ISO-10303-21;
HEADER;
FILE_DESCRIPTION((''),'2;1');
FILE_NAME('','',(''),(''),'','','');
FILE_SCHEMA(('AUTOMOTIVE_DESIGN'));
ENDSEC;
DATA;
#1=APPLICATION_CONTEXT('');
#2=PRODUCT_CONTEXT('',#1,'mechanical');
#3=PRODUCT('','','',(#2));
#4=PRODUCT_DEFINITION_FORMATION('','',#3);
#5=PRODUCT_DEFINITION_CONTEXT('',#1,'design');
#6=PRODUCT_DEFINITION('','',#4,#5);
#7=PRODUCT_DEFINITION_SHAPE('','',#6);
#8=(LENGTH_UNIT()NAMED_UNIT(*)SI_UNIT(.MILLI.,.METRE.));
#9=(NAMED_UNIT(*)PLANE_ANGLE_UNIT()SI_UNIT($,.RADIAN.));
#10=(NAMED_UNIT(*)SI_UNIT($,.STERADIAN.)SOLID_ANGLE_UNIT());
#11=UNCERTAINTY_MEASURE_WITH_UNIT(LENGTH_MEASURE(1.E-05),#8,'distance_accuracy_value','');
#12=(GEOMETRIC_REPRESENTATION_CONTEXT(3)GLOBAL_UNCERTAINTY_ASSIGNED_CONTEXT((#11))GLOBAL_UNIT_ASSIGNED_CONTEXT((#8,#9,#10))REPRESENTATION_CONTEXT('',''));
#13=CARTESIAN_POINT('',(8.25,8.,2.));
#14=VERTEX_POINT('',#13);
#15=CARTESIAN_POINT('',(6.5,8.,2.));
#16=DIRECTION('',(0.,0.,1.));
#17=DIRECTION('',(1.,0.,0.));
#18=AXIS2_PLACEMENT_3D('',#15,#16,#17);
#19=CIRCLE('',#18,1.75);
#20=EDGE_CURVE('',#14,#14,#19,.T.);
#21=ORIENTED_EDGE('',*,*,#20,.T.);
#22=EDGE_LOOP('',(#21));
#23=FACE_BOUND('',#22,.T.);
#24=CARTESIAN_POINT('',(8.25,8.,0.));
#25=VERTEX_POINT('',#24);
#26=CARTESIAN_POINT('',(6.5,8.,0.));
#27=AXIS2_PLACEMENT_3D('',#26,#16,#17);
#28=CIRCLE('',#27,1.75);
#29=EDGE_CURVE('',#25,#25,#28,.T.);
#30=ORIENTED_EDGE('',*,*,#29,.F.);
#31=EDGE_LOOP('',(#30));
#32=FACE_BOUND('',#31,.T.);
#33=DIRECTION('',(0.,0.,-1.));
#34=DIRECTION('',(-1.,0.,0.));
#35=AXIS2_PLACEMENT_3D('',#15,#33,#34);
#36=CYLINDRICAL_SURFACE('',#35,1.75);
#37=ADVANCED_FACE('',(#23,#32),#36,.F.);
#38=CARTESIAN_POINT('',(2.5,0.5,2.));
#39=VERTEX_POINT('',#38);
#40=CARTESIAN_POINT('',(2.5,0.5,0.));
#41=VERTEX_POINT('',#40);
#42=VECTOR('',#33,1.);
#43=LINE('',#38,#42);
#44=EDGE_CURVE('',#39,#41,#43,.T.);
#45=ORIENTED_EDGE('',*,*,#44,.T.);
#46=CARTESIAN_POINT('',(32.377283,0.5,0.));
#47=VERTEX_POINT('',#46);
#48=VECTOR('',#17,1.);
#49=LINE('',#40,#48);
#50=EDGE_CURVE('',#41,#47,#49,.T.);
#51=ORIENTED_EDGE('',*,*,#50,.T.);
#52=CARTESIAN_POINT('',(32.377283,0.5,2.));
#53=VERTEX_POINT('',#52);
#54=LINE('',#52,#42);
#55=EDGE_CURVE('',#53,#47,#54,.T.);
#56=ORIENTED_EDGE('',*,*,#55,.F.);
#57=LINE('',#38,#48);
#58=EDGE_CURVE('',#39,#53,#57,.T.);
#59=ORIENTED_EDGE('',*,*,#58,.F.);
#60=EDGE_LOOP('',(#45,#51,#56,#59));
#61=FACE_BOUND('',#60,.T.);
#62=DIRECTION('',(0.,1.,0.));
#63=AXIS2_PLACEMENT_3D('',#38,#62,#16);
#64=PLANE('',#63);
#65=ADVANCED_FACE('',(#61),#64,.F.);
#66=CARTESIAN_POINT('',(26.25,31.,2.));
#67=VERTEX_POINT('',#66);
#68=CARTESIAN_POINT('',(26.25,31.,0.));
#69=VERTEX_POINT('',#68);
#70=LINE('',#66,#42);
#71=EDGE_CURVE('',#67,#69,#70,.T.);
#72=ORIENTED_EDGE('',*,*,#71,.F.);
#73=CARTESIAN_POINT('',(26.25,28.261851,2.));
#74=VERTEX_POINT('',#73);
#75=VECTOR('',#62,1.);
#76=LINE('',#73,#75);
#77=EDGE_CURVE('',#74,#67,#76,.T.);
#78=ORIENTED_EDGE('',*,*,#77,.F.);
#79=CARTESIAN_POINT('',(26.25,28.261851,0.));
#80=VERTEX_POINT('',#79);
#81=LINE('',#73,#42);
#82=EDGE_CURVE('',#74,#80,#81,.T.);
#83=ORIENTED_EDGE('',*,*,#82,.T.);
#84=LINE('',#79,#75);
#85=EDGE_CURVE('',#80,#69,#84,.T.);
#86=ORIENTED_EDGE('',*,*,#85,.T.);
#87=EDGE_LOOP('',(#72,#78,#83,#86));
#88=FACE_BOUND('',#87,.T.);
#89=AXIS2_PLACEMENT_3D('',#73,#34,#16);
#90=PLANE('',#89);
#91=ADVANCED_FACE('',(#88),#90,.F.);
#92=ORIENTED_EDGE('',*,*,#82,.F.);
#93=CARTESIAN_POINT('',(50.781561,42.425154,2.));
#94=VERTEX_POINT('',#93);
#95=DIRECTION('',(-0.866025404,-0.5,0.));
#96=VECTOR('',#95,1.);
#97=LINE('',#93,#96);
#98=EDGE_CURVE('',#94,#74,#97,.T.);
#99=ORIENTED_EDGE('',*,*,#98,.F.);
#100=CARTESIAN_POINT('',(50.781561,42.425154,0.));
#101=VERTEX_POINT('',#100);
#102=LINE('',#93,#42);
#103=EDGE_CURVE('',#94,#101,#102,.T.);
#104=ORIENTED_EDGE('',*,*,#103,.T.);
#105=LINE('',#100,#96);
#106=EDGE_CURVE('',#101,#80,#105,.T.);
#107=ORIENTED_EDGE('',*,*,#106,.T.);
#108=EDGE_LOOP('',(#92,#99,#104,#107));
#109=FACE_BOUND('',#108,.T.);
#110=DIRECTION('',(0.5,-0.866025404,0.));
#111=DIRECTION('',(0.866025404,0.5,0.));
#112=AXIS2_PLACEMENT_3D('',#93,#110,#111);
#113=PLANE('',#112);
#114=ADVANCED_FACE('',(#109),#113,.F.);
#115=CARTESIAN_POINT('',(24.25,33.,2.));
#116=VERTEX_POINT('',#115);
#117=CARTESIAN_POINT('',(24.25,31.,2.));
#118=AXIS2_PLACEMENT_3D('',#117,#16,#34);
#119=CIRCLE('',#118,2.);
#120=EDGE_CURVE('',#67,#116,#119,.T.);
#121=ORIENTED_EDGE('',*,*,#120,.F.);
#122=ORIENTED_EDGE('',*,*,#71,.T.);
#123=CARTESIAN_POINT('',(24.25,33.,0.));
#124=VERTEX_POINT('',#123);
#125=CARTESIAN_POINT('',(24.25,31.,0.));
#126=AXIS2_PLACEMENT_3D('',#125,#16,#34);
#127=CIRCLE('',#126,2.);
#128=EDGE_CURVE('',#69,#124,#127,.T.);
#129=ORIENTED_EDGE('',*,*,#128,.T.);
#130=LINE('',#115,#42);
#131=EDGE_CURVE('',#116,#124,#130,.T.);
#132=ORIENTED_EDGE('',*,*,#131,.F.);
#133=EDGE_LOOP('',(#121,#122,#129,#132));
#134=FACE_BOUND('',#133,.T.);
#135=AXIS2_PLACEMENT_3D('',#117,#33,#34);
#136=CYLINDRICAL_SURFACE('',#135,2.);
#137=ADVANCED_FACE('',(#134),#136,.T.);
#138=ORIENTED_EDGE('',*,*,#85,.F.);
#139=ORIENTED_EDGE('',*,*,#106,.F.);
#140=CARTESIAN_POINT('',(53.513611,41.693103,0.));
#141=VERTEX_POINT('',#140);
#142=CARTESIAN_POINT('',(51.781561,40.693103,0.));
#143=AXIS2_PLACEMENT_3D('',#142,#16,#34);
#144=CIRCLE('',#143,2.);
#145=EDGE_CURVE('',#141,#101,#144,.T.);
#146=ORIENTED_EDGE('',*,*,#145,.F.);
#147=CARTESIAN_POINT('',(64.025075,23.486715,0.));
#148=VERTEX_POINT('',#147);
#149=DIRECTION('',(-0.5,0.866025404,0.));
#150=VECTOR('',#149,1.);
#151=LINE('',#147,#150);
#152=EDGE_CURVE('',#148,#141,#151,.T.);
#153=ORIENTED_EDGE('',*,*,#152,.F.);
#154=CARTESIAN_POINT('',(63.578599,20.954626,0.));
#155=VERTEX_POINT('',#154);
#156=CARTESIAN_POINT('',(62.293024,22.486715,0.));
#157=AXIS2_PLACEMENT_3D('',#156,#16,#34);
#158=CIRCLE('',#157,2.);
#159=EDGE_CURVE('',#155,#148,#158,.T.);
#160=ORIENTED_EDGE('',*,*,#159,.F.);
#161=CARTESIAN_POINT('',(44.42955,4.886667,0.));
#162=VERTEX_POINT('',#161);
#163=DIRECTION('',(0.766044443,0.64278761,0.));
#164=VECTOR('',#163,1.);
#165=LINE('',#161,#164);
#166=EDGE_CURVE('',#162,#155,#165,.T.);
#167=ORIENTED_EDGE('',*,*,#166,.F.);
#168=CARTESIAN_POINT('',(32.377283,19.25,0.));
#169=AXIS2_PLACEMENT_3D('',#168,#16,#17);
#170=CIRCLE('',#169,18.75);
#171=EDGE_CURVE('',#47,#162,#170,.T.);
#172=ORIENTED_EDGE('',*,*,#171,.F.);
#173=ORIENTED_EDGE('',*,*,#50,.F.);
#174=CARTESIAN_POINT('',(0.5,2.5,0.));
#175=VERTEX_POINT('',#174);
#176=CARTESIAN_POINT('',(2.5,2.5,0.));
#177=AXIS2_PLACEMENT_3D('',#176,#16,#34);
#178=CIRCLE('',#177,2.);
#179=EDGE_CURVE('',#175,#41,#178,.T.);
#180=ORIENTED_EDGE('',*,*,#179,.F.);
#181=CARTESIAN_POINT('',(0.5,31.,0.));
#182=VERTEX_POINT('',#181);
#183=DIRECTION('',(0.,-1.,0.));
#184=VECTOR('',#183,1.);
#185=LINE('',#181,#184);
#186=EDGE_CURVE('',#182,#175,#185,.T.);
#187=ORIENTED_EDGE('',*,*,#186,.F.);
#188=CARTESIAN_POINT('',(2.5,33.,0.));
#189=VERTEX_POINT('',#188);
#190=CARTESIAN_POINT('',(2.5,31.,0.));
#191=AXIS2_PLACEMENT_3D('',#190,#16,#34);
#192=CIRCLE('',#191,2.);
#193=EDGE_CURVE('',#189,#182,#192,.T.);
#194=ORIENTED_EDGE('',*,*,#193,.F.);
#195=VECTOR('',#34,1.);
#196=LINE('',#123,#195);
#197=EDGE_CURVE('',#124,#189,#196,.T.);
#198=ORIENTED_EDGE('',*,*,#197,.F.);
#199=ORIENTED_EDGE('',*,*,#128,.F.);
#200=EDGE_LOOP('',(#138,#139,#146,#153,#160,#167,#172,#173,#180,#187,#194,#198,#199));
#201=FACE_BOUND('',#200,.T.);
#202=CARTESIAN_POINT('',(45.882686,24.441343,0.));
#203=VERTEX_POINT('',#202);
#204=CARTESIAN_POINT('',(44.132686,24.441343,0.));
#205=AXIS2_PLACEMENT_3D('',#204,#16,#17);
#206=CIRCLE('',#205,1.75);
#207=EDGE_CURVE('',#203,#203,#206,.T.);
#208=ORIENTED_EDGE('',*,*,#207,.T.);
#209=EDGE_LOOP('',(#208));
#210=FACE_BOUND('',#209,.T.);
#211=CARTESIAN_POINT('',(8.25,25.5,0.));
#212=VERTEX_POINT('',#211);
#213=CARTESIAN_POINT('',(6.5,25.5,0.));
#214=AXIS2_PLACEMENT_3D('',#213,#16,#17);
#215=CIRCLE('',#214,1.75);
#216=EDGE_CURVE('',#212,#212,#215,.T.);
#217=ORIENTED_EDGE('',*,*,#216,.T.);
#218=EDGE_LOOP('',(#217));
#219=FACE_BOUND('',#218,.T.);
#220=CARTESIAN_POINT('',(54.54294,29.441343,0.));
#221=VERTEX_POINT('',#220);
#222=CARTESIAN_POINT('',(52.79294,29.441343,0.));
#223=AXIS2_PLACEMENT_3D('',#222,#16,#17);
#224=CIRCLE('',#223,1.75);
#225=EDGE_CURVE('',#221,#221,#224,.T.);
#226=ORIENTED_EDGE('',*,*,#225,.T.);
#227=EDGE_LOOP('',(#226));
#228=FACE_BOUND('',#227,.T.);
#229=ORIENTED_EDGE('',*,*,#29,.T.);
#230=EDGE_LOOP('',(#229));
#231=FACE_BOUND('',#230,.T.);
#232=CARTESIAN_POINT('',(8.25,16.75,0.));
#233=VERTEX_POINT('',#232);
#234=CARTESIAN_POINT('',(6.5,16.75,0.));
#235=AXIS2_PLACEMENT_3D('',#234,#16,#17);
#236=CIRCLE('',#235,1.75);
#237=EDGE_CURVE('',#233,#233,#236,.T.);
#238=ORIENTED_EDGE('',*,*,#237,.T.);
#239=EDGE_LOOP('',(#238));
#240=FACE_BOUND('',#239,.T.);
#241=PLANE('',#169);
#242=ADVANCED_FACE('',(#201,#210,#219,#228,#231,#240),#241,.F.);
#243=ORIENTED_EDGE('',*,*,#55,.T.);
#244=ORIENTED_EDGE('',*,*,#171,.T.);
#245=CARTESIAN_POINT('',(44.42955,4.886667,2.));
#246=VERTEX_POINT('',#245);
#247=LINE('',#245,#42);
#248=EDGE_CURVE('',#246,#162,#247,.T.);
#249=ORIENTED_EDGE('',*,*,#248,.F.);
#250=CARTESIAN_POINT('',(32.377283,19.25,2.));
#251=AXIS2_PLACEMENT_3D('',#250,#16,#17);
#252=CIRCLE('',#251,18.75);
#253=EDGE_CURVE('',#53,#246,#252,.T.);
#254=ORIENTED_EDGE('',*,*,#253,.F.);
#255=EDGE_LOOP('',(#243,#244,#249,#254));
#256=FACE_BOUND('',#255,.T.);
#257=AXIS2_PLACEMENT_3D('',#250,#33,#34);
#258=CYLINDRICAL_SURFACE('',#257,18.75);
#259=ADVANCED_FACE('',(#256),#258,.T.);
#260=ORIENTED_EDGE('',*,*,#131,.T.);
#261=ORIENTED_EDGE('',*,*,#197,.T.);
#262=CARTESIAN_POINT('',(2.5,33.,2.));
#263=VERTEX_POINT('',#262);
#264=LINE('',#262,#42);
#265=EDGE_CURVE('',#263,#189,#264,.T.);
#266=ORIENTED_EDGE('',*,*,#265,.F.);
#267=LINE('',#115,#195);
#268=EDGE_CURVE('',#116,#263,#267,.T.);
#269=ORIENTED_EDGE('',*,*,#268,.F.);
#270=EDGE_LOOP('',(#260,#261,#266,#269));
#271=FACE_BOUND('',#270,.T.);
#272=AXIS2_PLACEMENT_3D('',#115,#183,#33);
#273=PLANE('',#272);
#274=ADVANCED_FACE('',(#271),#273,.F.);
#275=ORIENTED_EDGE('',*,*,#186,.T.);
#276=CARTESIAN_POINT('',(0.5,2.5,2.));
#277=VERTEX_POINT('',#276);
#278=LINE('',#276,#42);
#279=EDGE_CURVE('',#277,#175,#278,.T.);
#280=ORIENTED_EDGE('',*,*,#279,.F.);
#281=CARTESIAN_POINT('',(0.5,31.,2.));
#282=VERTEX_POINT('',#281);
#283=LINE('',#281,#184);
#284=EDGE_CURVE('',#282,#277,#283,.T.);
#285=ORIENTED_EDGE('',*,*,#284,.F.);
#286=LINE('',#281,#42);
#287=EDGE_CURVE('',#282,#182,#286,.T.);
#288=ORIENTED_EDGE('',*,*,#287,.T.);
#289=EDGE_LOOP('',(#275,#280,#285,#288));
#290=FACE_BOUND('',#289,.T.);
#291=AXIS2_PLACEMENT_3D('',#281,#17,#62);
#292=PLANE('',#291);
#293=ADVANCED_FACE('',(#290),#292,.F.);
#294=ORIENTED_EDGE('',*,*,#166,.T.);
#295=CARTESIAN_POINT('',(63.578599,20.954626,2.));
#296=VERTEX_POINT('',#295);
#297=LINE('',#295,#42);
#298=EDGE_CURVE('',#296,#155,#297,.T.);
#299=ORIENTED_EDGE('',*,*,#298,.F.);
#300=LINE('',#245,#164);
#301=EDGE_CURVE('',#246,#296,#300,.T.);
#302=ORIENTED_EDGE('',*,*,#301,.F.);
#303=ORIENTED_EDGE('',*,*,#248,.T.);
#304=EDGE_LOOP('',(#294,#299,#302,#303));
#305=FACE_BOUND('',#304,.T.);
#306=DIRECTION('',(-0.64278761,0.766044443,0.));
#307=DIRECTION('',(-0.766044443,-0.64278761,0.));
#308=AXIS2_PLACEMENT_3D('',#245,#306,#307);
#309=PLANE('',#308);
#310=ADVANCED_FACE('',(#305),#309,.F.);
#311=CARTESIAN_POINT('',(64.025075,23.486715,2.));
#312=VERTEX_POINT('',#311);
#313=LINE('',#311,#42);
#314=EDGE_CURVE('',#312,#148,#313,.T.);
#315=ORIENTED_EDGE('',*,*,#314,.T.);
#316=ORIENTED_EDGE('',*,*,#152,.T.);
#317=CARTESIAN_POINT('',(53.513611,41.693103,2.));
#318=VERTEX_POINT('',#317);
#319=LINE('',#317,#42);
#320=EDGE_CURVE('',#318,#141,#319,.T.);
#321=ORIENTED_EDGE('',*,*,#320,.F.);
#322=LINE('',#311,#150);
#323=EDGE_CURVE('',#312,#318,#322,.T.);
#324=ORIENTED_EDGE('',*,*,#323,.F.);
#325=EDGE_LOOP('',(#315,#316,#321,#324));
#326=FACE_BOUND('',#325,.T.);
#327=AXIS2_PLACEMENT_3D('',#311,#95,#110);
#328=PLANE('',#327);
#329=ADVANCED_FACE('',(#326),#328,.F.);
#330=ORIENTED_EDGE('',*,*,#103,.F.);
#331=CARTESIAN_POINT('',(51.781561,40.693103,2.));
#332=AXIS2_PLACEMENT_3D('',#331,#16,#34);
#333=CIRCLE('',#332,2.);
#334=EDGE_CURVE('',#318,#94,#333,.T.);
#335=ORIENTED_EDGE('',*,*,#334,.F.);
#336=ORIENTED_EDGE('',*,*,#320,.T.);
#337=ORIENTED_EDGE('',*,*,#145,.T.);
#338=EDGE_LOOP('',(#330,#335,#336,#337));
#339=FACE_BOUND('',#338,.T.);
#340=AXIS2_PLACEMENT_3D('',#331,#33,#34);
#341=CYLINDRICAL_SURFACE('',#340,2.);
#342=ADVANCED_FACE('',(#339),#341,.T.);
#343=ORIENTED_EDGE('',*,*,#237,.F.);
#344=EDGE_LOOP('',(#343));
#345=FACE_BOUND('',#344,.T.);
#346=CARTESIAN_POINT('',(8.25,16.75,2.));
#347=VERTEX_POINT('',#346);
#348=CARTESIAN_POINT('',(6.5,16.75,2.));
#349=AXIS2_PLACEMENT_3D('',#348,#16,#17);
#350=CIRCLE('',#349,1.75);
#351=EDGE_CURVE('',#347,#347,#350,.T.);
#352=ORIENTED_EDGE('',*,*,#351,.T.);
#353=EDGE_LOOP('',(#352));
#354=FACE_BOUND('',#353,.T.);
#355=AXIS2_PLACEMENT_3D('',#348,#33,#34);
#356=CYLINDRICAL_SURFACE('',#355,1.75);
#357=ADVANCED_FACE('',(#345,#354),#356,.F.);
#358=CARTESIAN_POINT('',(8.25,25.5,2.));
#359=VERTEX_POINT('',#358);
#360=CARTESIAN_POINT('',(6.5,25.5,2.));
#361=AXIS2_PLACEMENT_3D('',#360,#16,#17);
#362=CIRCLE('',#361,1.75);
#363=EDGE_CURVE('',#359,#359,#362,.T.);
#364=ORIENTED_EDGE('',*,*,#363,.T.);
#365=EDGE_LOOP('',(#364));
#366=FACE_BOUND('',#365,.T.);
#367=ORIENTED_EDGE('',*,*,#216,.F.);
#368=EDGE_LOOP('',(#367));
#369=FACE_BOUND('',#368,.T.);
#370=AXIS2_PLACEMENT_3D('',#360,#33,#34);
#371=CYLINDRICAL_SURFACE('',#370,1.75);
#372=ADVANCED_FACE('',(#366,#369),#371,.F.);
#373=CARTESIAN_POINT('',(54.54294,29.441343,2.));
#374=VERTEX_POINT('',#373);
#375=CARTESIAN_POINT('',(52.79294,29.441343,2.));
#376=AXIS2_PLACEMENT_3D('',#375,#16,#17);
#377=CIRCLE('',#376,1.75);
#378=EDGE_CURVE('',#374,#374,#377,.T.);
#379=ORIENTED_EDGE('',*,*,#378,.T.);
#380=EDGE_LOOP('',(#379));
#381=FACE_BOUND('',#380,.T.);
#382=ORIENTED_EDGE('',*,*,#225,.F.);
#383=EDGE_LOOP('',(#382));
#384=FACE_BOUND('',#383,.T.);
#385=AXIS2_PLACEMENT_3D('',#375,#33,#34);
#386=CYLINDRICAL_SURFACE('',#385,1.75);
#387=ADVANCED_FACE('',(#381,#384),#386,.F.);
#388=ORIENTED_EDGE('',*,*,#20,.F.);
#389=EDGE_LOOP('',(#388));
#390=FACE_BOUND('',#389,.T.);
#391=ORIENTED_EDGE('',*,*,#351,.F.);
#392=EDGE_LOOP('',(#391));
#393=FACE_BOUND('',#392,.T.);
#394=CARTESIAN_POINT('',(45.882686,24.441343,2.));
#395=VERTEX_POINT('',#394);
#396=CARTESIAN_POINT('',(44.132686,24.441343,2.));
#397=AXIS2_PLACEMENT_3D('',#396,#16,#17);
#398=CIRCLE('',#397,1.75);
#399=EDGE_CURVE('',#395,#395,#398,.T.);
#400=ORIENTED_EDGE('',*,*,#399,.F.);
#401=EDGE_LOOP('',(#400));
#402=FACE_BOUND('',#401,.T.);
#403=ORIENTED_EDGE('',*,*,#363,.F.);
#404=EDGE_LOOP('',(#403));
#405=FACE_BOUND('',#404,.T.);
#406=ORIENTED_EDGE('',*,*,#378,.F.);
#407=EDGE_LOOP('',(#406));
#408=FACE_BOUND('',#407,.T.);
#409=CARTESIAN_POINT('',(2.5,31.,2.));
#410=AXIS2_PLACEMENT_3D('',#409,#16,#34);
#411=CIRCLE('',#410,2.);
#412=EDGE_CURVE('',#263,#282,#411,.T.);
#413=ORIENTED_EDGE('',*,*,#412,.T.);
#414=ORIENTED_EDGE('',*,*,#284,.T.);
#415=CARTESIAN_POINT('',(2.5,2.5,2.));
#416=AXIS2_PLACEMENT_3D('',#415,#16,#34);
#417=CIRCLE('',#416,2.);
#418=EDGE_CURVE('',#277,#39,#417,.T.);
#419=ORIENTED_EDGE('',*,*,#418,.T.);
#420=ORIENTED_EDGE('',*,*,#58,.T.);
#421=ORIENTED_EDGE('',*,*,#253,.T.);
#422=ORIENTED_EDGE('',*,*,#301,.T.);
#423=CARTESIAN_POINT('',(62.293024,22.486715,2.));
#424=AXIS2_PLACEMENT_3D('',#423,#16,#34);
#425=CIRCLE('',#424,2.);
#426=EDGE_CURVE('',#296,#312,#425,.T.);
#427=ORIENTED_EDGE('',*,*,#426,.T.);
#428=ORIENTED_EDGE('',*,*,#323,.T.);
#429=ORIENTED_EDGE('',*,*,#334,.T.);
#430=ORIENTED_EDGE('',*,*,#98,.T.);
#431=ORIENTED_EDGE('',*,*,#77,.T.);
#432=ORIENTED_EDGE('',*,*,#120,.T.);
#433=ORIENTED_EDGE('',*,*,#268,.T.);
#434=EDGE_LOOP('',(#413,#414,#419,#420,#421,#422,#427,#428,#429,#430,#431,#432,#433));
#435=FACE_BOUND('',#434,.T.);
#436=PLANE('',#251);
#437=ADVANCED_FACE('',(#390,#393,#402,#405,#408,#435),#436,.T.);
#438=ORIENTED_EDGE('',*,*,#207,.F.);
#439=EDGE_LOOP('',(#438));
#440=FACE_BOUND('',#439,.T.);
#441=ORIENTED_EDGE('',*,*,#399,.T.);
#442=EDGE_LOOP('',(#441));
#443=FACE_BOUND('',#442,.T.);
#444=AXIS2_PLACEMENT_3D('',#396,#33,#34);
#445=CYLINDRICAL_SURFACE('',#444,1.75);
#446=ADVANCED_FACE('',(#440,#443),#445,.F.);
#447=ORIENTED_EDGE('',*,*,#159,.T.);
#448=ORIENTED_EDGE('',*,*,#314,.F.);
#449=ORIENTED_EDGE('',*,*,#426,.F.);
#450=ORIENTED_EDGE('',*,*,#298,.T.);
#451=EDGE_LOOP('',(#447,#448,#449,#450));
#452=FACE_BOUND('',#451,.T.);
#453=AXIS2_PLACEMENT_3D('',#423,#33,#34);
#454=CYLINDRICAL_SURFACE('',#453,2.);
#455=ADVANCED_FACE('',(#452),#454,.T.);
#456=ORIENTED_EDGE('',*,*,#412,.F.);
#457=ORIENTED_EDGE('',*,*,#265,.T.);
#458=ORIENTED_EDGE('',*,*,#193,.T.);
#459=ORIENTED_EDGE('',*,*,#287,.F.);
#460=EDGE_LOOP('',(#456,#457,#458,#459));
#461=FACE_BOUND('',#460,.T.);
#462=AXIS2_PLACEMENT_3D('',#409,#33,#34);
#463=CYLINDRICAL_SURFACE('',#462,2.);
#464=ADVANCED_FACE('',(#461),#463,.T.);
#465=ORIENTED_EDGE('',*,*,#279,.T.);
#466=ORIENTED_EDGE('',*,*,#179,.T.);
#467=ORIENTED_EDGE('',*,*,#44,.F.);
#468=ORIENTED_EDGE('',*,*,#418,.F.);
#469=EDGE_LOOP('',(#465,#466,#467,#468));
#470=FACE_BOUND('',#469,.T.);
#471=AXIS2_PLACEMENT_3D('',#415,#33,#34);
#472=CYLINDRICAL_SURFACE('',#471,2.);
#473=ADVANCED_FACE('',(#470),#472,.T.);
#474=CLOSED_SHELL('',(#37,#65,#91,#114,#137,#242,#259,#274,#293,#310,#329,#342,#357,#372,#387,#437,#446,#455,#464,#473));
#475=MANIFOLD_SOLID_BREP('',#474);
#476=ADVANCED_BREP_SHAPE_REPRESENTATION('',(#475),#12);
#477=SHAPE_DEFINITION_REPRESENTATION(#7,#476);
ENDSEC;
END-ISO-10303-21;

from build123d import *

# Parameters (mm, degrees)
SKETCH1_R           = 1.75
BOSS_EXTRUDE1_DEPTH = 2


with BuildPart() as part:
    # Sketch1 → Boss-Extrude1 (new body)
    with BuildSketch(Plane.XY):
        with BuildLine():
            Line((24.25, 33), (2.5, 33))
            ThreePointArc((2.5, 33), (1.085786438, 32.414213562), (0.5, 31))
            Line((0.5, 31), (0.5, 2.5))
            ThreePointArc((0.5, 2.5), (1.085786438, 1.085786438), (2.5, 0.5))
            Line((2.5, 0.5), (32.377282652, 0.5))
            ThreePointArc((32.377282652, 0.5), (38.790160339, 1.63076336), (44.429550333, 4.886666692))
            Line((44.429550333, 4.886666692), (63.578598927, 20.954626304))
            ThreePointArc((63.578598927, 20.954626304), (64.262639213, 22.139418835), (64.025074515, 23.48671519))
            Line((64.025074515, 23.48671519), (53.513611416, 41.69310334))
            ThreePointArc((53.513611416, 41.69310334), (52.299198698, 42.624954992), (50.781560608, 42.425154147))
            Line((50.781560608, 42.425154147), (26.25, 28.261851027))
            Line((26.25, 28.261851027), (26.25, 31))
            ThreePointArc((26.25, 31), (25.664213562, 32.414213562), (24.25, 33))
        make_face()
        with Locations((52.79293994, 29.441342951)):
            Circle(SKETCH1_R, mode=Mode.SUBTRACT)
        with Locations((44.132685902, 24.441342951)):
            Circle(SKETCH1_R, mode=Mode.SUBTRACT)
        with Locations((6.5, 25.5)):
            Circle(SKETCH1_R, mode=Mode.SUBTRACT)
        with Locations((6.5, 16.75)):
            Circle(SKETCH1_R, mode=Mode.SUBTRACT)
        with Locations((6.5, 8)):
            Circle(SKETCH1_R, mode=Mode.SUBTRACT)
    extrude(amount=BOSS_EXTRUDE1_DEPTH)


solid = part.part
